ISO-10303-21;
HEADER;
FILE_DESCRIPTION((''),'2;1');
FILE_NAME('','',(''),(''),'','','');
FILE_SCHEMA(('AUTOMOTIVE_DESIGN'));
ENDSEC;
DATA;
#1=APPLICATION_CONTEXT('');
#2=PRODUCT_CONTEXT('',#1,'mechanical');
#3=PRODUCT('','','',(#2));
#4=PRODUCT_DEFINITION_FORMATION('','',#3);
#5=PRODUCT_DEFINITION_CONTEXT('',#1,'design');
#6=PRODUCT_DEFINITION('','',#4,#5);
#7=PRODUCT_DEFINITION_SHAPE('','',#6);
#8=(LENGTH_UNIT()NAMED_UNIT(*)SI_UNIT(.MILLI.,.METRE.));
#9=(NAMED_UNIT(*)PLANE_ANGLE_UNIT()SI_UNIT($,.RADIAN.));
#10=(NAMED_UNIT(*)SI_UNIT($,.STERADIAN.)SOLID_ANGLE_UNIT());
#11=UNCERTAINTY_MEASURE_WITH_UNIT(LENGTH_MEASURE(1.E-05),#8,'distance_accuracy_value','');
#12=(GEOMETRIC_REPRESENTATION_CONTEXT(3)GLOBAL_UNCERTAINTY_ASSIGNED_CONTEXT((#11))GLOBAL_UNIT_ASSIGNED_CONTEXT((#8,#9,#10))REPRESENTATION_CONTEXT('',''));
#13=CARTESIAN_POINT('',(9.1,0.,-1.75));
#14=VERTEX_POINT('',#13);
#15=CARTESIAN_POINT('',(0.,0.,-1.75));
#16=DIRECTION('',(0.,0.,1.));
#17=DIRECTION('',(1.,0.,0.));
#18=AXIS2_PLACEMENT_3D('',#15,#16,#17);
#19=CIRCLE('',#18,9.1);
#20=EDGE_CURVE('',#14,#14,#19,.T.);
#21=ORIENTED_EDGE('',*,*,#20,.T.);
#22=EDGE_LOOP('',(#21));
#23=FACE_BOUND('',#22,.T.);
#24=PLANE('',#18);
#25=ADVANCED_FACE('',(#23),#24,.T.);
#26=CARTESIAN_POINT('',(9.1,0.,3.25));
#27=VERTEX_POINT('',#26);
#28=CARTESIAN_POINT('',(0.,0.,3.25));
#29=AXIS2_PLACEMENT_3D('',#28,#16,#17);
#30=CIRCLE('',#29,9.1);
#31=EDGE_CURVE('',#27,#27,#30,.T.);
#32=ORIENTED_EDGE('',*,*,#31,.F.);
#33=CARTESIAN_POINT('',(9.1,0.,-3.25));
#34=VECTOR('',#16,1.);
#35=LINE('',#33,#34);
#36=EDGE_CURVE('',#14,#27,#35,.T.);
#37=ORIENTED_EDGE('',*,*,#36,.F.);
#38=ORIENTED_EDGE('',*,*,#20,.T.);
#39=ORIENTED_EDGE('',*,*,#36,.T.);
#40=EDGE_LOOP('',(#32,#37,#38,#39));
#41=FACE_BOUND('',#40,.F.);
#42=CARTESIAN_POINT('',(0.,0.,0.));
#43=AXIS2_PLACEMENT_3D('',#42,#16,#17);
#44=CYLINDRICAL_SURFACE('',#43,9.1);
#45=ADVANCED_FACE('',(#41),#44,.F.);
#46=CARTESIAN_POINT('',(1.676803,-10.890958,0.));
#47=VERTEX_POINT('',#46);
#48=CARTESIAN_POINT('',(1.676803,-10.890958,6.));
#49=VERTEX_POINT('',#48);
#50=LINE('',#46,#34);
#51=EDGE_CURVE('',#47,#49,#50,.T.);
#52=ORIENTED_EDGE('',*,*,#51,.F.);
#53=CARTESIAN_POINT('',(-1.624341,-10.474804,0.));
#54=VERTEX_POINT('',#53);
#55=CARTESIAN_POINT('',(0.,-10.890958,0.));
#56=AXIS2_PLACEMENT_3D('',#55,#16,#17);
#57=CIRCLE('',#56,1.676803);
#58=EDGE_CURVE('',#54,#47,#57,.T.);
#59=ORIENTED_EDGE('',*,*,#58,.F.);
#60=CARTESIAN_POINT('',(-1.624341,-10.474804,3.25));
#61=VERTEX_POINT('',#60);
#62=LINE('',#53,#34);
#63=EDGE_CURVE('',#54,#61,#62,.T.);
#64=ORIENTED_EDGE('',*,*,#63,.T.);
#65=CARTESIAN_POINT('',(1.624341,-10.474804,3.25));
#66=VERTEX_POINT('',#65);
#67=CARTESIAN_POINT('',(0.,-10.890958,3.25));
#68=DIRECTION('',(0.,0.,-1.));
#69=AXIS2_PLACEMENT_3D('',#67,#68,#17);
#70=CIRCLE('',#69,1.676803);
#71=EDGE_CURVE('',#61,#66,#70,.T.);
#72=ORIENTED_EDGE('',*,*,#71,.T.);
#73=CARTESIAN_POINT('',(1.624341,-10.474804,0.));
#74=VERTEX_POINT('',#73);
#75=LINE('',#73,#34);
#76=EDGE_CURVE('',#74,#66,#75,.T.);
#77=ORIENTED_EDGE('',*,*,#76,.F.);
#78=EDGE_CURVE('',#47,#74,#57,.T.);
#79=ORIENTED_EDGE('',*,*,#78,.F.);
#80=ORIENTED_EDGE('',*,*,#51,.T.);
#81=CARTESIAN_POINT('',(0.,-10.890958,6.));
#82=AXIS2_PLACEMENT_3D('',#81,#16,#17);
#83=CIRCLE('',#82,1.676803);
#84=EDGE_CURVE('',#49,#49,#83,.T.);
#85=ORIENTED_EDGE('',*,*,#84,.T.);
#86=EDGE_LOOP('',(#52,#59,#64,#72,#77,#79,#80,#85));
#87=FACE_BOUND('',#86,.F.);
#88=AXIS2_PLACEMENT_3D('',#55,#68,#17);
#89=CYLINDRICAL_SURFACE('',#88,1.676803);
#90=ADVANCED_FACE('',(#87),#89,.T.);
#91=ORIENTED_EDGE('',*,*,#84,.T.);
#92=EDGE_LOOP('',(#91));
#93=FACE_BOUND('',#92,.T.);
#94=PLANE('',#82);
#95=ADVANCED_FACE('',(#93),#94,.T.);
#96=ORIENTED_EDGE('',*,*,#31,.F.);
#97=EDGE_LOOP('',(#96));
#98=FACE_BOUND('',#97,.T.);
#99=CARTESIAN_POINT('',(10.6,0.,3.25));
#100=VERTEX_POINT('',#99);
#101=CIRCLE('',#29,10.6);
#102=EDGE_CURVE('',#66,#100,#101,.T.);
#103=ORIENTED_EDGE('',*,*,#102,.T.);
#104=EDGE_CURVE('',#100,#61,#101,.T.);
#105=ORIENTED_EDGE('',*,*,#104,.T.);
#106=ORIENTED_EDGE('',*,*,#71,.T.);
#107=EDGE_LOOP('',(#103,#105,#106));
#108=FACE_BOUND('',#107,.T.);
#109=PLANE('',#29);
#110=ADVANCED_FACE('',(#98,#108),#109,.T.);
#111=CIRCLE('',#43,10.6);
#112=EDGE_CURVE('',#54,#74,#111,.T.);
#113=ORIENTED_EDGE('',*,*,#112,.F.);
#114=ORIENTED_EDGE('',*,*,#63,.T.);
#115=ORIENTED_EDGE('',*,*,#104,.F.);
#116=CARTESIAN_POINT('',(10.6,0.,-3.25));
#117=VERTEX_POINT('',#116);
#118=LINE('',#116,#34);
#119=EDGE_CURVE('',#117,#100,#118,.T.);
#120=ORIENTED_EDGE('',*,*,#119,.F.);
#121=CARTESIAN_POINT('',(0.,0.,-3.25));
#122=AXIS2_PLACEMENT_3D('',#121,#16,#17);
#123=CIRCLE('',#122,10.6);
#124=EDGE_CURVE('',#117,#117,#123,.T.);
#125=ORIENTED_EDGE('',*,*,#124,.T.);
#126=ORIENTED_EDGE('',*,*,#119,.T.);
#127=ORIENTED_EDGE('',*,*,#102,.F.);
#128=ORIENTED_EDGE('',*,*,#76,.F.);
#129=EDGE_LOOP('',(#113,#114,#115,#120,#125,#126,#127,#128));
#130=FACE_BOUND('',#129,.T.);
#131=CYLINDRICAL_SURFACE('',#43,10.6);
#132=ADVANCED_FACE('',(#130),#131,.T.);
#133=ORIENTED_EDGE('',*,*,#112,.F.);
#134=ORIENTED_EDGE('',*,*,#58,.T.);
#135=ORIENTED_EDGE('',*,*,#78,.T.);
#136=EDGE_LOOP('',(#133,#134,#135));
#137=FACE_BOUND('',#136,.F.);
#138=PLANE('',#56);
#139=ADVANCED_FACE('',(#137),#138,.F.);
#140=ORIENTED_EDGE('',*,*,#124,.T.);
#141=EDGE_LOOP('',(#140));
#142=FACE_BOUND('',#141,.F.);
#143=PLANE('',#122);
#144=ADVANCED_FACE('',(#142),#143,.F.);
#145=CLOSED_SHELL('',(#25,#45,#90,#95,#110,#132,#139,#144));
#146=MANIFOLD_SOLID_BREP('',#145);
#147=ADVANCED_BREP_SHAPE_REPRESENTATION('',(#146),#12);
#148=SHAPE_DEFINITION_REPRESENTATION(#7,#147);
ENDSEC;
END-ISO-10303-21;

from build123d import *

# Parameters (mm, degrees)
F0_R     = 10.6
F1_DEPTH = 3.25
F2_T     = -1.5
F3_R     = 1.676803
F4_DEPTH = 6


with BuildPart() as f1:
    # F0 (on Top) → F1 (new body, symmetric)
    with BuildSketch(Plane.XY):
        Circle(F0_R)
    extrude(amount=F1_DEPTH, both=True)

    # F2
    f2_openings = [f1.faces().sort_by_distance(p)[0] for p in [
        (0, 0, 3.25),
    ]]
    offset(amount=F2_T, openings=f2_openings)

    # F3 (on Top) → F4 (join)
    with BuildSketch(Plane.XY):
        with Locations((0, -10.890958)):
            Circle(F3_R)
    extrude(amount=F4_DEPTH)


solid = f1.part
